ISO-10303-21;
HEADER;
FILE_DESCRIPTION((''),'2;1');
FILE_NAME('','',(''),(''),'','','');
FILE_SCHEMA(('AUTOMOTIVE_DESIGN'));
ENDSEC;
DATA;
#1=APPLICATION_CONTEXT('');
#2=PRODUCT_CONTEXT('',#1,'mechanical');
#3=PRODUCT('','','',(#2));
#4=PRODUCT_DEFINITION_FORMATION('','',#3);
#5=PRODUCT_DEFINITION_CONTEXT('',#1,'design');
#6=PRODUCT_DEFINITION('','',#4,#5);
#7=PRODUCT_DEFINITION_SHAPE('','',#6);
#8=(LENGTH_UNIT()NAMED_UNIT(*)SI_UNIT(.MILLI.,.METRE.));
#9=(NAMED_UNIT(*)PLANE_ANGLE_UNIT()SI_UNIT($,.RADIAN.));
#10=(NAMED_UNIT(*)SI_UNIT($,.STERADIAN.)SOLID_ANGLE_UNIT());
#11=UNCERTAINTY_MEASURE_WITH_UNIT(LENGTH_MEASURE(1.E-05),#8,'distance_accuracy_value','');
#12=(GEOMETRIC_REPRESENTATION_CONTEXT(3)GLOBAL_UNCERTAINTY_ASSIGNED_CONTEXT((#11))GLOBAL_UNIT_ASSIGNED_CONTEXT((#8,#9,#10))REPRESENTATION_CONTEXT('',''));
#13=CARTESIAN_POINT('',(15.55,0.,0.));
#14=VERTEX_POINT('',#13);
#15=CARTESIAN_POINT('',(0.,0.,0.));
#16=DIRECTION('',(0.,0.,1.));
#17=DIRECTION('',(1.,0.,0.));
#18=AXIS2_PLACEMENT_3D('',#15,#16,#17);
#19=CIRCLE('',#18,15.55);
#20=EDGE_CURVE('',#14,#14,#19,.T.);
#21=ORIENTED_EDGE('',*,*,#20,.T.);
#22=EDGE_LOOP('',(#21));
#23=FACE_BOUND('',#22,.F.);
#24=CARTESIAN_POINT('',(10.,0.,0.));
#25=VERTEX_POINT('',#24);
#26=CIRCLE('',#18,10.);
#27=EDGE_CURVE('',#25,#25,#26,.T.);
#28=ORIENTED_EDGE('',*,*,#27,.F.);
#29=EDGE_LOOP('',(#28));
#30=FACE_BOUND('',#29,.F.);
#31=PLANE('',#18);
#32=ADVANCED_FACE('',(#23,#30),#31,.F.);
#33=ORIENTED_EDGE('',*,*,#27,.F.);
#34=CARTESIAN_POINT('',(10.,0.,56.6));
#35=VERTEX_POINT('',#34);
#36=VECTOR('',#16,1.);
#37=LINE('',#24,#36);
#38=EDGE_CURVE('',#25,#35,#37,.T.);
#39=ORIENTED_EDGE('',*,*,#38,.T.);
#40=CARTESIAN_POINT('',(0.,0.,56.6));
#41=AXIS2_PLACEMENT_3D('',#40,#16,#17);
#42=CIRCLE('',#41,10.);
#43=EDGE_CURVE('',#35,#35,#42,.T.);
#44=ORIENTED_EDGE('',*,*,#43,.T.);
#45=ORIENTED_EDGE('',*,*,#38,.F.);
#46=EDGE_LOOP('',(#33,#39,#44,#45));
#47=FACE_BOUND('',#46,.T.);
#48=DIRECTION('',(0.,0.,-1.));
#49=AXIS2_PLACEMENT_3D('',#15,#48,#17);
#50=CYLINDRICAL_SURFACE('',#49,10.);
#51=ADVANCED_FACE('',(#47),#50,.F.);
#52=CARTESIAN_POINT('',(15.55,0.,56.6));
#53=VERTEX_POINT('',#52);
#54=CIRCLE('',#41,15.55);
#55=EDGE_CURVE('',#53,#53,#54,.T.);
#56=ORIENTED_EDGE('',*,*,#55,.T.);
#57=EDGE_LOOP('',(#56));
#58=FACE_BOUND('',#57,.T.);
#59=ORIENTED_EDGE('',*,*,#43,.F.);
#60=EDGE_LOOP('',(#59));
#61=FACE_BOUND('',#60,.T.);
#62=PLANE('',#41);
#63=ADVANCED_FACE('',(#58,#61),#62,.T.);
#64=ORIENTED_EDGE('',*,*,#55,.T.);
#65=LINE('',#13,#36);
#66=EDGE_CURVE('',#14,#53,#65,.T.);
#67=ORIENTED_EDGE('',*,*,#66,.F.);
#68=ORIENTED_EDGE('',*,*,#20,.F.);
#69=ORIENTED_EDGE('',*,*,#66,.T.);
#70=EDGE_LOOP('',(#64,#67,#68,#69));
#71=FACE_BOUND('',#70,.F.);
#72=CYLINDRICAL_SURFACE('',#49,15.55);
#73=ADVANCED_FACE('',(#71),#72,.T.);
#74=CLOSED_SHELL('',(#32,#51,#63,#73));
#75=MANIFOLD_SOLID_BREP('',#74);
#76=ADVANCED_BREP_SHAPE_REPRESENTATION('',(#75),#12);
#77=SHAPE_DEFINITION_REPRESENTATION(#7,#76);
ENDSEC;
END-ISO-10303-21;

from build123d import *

# Parameters (mm, degrees)
CROQUIS1_R              = 15.55
CROQUIS1_R_2            = 10
SALIENTE_EXTRUIR1_DEPTH = 56.6


with BuildPart() as part:
    # Croquis1 → Saliente-Extruir1 (new body)
    with BuildSketch(Plane.XY):
        Circle(CROQUIS1_R)
        Circle(CROQUIS1_R_2, mode=Mode.SUBTRACT)
    extrude(amount=SALIENTE_EXTRUIR1_DEPTH)


solid = part.part
